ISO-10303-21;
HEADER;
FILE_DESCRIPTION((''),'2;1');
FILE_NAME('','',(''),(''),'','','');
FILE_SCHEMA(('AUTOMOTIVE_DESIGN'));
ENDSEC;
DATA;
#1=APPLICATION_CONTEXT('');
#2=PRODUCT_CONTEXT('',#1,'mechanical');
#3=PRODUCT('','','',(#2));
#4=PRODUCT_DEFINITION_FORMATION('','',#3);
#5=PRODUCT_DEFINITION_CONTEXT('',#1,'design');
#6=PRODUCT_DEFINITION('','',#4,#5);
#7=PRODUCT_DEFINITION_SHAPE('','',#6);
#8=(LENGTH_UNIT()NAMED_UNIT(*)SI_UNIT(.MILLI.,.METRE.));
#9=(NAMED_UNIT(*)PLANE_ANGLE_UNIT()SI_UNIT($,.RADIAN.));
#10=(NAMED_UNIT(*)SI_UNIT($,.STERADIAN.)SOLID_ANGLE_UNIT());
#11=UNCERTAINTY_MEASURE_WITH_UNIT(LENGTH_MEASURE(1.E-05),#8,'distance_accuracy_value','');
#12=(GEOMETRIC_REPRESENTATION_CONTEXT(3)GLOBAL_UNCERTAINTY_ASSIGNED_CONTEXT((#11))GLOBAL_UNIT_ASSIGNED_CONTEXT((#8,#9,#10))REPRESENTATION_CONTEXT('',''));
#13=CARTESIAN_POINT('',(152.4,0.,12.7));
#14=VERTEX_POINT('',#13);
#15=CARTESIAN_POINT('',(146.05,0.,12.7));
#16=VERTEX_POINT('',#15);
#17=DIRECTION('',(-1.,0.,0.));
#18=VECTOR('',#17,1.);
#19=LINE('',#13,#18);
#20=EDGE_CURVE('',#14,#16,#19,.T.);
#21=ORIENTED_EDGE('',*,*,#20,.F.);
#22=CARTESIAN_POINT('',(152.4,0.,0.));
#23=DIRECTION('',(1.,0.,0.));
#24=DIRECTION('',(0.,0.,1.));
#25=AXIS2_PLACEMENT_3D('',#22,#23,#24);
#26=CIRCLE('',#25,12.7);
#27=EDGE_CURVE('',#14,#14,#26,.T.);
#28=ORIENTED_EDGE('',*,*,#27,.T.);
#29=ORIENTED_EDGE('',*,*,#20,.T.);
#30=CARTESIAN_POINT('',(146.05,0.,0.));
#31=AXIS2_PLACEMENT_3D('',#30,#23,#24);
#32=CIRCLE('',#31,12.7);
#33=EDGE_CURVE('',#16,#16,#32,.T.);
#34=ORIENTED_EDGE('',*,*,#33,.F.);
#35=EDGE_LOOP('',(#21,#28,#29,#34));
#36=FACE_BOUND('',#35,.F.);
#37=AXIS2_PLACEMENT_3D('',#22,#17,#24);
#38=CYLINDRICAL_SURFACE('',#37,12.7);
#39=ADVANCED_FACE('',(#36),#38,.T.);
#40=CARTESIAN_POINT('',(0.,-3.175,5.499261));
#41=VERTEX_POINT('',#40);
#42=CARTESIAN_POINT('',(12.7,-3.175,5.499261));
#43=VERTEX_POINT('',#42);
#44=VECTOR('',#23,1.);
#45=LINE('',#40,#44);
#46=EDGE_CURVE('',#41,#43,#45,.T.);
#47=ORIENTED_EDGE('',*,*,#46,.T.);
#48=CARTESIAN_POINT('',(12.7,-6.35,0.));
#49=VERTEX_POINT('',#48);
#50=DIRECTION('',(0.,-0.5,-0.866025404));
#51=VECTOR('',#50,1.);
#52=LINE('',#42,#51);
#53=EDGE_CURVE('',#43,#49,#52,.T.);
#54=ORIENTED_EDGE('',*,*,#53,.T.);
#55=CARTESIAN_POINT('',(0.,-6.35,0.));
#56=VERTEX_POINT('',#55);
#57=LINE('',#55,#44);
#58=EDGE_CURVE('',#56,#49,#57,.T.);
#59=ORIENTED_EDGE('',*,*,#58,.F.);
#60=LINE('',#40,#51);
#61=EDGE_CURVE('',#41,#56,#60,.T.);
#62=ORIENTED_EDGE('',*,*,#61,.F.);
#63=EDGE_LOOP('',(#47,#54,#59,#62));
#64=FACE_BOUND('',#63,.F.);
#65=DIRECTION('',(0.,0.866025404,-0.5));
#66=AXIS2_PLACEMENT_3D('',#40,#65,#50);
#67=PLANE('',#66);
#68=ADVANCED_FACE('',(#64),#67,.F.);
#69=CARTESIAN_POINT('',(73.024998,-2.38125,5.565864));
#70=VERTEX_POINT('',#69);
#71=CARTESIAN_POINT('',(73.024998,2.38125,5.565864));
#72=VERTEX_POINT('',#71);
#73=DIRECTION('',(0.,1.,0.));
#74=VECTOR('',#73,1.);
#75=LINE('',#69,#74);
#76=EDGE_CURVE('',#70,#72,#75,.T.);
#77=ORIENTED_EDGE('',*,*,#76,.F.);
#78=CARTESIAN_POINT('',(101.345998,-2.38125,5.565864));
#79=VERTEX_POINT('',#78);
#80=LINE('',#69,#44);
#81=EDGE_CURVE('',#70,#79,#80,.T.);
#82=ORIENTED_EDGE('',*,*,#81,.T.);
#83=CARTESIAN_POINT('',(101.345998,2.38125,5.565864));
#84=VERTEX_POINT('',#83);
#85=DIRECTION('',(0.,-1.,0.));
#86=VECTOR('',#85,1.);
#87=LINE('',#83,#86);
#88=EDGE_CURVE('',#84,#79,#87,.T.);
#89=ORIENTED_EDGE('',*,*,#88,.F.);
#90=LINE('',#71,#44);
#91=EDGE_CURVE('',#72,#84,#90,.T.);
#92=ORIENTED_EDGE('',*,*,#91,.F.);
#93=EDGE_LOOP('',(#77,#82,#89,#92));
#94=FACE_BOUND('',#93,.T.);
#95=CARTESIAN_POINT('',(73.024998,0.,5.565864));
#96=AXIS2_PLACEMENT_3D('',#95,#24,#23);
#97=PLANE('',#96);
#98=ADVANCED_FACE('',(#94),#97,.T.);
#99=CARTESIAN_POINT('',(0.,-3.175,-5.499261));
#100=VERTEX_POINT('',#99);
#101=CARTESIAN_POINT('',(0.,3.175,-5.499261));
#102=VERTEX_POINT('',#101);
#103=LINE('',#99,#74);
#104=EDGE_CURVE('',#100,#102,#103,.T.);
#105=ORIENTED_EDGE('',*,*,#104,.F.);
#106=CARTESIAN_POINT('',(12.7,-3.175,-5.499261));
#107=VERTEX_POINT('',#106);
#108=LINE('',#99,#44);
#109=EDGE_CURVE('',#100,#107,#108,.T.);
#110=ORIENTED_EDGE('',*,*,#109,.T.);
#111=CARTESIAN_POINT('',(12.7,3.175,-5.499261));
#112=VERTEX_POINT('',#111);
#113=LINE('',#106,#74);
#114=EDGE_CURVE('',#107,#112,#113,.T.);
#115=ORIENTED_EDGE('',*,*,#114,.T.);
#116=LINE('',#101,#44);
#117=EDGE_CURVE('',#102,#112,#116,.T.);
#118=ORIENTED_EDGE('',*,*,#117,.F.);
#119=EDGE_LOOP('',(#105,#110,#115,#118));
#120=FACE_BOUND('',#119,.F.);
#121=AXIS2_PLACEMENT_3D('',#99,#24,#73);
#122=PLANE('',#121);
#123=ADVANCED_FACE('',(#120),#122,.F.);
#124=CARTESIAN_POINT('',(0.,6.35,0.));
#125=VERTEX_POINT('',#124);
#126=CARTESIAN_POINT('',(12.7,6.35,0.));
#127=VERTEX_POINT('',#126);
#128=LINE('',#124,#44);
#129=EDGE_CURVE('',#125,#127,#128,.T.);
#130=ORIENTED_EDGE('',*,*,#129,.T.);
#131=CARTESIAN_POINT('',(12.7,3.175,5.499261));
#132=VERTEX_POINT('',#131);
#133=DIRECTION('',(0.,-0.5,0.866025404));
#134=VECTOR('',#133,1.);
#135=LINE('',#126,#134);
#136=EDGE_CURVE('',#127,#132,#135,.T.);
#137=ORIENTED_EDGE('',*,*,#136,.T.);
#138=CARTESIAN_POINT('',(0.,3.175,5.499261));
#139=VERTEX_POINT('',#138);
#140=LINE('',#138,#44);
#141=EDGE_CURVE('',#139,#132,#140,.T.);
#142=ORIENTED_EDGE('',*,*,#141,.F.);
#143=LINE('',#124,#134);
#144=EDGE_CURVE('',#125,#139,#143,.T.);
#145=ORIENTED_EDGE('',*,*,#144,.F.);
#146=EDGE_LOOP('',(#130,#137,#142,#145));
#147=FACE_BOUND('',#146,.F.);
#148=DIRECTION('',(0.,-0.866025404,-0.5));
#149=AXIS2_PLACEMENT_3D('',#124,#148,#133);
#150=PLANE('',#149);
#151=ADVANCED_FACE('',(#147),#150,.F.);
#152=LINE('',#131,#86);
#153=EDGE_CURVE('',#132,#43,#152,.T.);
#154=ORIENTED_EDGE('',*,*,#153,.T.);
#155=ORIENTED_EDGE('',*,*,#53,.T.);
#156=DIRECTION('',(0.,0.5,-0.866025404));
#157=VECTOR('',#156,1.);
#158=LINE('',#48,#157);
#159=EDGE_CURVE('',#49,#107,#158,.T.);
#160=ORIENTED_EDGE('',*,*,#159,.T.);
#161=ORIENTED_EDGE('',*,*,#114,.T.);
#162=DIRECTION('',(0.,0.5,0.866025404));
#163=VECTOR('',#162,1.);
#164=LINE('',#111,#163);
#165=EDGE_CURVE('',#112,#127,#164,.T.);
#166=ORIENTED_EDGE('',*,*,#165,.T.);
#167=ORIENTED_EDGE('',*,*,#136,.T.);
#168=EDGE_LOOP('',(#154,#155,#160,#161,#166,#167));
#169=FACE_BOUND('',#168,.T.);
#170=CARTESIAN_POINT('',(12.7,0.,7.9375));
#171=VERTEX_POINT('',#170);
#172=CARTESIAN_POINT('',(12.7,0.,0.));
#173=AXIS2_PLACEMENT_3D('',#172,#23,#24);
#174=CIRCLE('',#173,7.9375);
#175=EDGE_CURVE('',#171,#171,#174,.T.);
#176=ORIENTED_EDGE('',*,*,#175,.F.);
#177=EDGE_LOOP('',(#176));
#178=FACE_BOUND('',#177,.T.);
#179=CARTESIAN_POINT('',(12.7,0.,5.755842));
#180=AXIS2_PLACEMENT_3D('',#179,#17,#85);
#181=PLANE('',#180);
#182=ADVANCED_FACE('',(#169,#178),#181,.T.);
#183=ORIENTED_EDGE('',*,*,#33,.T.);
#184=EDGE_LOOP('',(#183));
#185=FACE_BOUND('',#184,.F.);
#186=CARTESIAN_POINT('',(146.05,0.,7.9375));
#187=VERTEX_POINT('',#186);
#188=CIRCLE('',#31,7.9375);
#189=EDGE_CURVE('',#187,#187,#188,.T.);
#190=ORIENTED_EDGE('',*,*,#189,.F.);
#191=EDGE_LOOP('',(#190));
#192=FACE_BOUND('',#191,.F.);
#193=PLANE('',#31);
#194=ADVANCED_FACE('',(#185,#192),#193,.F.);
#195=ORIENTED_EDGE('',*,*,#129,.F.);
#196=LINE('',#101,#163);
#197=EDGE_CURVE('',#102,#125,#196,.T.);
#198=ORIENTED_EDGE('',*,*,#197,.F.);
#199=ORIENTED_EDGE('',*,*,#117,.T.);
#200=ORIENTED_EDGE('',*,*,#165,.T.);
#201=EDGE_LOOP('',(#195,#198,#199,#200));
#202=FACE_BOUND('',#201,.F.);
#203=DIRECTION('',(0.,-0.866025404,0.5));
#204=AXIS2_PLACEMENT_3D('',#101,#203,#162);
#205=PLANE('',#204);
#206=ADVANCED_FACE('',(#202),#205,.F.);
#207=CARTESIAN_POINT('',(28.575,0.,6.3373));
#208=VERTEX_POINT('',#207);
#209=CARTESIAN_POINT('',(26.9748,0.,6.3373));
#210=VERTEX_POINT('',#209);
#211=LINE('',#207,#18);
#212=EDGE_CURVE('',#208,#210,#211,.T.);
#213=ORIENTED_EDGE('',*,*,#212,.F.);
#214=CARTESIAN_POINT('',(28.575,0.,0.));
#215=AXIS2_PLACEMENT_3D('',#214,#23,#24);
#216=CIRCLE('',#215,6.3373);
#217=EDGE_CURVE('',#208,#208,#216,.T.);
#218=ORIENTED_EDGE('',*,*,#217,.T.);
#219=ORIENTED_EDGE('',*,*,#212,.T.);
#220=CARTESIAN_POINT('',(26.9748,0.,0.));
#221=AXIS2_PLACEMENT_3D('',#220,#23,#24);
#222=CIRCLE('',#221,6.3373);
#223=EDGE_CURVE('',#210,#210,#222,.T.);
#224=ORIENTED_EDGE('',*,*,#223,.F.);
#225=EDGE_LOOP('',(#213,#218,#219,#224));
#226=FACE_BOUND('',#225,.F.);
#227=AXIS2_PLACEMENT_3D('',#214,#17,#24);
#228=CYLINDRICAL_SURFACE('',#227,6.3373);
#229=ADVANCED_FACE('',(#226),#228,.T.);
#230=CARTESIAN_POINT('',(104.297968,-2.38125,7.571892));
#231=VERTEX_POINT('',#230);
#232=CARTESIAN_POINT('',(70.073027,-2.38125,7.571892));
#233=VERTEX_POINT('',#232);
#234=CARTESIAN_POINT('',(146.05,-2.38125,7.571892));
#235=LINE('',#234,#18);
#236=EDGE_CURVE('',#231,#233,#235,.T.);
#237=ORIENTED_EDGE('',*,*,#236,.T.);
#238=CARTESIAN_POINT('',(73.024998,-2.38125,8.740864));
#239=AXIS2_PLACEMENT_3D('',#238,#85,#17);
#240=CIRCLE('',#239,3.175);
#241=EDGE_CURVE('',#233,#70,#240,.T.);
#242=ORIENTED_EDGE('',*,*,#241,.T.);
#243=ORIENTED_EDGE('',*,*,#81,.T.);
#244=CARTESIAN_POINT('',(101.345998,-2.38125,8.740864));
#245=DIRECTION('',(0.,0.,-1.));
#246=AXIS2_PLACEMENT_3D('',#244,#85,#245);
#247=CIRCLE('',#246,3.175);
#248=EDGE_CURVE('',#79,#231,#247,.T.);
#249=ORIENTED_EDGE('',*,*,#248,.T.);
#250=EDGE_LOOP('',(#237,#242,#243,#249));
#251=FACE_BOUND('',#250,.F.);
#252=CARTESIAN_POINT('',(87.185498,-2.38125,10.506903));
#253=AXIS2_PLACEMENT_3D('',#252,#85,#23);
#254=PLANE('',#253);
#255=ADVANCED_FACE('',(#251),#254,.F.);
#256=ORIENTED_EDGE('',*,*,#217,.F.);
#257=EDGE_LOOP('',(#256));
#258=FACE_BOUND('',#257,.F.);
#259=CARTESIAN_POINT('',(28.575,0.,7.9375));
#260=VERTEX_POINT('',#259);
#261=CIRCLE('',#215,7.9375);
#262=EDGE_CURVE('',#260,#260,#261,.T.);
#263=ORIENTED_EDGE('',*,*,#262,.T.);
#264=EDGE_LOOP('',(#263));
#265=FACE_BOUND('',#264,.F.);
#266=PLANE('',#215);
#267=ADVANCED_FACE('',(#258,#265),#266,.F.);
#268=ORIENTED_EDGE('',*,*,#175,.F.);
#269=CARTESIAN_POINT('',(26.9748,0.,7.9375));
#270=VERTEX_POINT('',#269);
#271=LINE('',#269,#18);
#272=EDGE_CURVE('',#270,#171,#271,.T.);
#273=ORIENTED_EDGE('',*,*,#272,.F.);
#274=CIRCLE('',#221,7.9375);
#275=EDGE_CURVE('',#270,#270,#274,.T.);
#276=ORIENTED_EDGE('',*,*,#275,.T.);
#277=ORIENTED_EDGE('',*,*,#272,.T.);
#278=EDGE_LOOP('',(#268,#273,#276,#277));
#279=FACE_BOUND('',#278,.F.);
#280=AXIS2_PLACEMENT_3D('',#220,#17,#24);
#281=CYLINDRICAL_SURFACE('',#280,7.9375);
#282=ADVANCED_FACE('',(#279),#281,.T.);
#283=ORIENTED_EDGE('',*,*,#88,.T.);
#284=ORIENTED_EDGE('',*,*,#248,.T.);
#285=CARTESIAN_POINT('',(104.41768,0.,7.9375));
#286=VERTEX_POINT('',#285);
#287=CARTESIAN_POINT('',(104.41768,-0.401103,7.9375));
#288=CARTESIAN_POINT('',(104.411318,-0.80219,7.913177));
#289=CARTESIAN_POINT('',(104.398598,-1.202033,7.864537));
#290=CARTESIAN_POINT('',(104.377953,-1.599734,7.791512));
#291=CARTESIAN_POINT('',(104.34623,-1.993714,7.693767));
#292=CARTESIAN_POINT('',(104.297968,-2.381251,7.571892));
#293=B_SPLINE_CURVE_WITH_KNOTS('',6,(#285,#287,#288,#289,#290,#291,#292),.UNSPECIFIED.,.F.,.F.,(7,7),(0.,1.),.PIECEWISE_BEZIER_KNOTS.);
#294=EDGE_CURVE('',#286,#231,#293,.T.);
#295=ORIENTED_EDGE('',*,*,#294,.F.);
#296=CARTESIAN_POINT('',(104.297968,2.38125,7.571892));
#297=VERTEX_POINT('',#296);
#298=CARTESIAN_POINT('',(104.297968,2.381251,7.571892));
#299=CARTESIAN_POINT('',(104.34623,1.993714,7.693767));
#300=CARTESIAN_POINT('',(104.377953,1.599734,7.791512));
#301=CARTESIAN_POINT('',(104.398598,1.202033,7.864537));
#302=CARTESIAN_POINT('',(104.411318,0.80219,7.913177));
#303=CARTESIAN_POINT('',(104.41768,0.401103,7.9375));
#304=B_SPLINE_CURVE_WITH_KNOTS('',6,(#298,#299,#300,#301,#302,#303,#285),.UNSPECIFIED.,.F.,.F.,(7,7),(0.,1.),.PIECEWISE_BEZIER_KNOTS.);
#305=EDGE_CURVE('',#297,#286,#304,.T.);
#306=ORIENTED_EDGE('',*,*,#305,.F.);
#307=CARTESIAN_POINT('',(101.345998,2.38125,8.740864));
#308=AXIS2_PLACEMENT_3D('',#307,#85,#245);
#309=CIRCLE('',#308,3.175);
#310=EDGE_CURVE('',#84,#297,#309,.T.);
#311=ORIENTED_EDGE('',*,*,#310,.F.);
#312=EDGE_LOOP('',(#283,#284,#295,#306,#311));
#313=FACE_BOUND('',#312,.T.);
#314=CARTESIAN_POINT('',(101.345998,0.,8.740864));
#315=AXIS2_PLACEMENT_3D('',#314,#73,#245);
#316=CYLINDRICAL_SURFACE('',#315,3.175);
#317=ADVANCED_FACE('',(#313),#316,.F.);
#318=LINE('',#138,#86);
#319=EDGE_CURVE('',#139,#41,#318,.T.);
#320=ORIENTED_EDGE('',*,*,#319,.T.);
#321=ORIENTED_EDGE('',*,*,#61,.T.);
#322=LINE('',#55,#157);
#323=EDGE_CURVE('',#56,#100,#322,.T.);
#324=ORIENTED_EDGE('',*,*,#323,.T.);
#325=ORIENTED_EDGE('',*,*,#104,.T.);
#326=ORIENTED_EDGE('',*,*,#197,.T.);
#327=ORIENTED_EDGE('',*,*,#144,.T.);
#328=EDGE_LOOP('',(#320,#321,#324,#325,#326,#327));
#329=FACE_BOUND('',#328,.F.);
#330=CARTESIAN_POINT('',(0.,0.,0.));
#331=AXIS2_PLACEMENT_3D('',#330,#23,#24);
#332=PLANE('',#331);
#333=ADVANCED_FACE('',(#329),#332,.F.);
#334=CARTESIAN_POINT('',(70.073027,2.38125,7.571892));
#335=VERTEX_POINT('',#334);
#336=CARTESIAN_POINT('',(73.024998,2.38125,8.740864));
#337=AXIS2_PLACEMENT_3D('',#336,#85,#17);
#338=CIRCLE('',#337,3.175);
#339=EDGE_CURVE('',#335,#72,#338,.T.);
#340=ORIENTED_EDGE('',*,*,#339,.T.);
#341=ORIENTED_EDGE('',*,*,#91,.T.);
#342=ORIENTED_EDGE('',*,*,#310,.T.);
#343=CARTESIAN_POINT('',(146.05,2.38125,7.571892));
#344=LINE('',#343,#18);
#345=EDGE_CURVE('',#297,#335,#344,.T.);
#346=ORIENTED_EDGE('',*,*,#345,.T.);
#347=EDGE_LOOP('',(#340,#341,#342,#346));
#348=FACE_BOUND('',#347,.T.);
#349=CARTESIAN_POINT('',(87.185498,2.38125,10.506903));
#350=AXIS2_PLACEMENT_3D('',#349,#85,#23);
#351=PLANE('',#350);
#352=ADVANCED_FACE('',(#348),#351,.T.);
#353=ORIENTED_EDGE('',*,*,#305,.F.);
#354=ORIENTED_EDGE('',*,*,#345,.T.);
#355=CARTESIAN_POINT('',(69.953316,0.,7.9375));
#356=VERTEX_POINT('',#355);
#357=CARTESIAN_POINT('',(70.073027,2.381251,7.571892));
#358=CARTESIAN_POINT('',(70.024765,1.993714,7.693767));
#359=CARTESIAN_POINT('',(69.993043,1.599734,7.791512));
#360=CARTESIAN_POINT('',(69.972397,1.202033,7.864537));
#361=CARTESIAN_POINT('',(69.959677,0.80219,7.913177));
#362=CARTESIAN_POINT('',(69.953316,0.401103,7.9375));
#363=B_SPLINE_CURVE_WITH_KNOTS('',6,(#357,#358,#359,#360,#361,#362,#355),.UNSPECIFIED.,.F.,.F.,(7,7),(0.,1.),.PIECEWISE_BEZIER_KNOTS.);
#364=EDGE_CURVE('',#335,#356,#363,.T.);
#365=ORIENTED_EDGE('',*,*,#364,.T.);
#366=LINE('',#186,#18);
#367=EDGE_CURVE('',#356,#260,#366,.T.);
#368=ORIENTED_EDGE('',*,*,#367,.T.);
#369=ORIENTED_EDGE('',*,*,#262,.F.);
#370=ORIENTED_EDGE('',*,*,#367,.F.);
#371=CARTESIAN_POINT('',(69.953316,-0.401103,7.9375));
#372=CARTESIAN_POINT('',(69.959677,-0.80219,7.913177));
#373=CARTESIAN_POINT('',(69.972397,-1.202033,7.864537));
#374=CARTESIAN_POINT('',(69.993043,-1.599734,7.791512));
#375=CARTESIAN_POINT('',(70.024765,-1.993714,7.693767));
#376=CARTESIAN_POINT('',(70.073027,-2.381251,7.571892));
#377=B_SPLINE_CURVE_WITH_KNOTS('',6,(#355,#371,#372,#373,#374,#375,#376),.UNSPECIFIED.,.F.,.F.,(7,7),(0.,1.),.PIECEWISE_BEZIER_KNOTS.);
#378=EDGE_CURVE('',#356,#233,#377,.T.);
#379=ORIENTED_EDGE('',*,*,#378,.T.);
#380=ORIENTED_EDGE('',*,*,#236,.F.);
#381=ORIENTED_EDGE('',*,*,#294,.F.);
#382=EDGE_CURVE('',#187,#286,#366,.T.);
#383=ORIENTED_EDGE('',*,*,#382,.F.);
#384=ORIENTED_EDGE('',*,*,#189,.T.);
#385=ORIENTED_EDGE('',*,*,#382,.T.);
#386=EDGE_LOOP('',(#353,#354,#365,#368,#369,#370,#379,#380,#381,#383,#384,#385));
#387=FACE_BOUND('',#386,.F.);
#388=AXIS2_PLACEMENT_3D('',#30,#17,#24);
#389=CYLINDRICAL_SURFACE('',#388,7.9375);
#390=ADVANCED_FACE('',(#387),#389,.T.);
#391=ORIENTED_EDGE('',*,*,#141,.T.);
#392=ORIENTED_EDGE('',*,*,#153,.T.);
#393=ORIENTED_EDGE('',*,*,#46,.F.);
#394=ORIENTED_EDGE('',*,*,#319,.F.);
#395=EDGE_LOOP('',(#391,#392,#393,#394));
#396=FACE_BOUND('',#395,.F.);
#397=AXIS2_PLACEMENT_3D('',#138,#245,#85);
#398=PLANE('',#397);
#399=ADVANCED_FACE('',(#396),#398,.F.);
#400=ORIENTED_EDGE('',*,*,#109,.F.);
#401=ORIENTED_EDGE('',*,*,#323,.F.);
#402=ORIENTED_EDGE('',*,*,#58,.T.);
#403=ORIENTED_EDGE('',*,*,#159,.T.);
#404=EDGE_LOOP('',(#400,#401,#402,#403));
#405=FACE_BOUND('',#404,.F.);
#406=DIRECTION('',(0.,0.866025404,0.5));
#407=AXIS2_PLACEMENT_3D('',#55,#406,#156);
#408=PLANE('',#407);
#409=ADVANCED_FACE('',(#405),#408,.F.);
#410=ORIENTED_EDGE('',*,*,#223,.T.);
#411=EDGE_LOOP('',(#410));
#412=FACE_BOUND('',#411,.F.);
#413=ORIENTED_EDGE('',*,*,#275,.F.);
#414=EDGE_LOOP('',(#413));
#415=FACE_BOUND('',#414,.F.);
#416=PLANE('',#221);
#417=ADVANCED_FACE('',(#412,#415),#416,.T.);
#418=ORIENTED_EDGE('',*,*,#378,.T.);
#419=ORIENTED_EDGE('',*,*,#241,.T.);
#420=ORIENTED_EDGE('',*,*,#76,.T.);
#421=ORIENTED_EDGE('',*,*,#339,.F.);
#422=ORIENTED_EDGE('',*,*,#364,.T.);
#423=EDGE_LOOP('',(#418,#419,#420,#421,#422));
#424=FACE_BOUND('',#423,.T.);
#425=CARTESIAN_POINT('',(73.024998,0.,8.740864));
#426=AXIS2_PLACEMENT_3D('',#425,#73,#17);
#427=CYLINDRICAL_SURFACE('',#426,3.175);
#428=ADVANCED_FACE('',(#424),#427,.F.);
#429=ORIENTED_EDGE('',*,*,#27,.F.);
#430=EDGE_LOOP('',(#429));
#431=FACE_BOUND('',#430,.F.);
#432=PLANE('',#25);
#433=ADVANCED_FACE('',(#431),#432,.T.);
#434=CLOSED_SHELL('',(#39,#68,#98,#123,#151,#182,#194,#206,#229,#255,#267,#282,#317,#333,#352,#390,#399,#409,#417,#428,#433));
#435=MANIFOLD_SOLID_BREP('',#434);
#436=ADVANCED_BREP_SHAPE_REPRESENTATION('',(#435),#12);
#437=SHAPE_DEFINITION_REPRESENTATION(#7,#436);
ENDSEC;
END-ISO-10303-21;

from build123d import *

# Parameters (mm, degrees)
F3_DEPTH      = 2.38125
F3_DEPTH_BACK = 2.38125
F5_DEPTH      = 12.7


with BuildPart() as f1:
    # F0 (on Front) → F1 (revolve)
    with BuildSketch(Plane.XZ):
        Polygon((12.7, 6.35), (0, 6.35), (0, 0), (152.4, 0), (152.4, 12.7), (146.05, 12.7), (146.05, 7.9375), (28.575, 7.9375), (28.575, 6.3373), (26.9748, 6.3373), (26.9748, 7.9375), (12.7, 7.9375), align=None)
    revolve(axis=Axis((76.2, 0, 0), (1, 0, 0)))

    # F2 (on Front) → F3 (cut, two sides)
    with BuildSketch(Plane.XZ) as f3_sk:
        with BuildLine():
            Line((104.5209977589, 15.0908644997), (69.8499977589, 15.0908644997))
            Line((69.8499977589, 15.0908644997), (69.8499977589, 8.7408644997))
            ThreePointArc((69.8499977589, 8.7408644997), (70.7799337286, 6.4958004694), (73.0249977589, 5.5658644997))
            Line((73.0249977589, 5.5658644997), (101.3459977589, 5.5658644997))
            ThreePointArc((101.3459977589, 5.5658644997), (103.5910617891, 6.4958004694), (104.5209977589, 8.7408644997))
            Line((104.5209977589, 8.7408644997), (104.5209977589, 15.0908644997))
        make_face()
    extrude(amount=-F3_DEPTH, mode=Mode.SUBTRACT)
    extrude(f3_sk.sketch, amount=F3_DEPTH_BACK, mode=Mode.SUBTRACT)

    # F4 (on face) → F5 (cut, through all)
    with BuildSketch(Plane(origin=(0, 0, 0), x_dir=(0, -1, 0), z_dir=(-1, 0, 0))):
        with BuildLine():
            Line((-6.35, 0), (-3.175, 5.499261314))
            ThreePointArc((-3.175, 5.499261314), (-5.499261314, 3.175), (-6.35, 0))
        make_face()
        with BuildLine():
            ThreePointArc((3.175, 5.499261314), (0, 6.35), (-3.175, 5.499261314))
            Line((-3.175, 5.499261314), (3.175, 5.499261314))
        make_face()
        with BuildLine():
            ThreePointArc((6.35, 0), (5.499261314, 3.175), (3.175, 5.499261314))
            Line((3.175, 5.499261314), (6.35, 0))
        make_face()
        with BuildLine():
            ThreePointArc((3.175, -5.499261314), (5.499261314, -3.175), (6.35, 0))
            Line((6.35, 0), (3.175, -5.499261314))
        make_face()
        with BuildLine():
            Line((3.175, -5.499261314), (-3.175, -5.499261314))
            ThreePointArc((-3.175, -5.499261314), (0, -6.35), (3.175, -5.499261314))
        make_face()
        with BuildLine():
            Line((-3.175, -5.499261314), (-6.35, 0))
            ThreePointArc((-6.35, 0), (-5.499261314, -3.175), (-3.175, -5.499261314))
        make_face()
    extrude(amount=-F5_DEPTH, mode=Mode.SUBTRACT)


solid = f1.part
